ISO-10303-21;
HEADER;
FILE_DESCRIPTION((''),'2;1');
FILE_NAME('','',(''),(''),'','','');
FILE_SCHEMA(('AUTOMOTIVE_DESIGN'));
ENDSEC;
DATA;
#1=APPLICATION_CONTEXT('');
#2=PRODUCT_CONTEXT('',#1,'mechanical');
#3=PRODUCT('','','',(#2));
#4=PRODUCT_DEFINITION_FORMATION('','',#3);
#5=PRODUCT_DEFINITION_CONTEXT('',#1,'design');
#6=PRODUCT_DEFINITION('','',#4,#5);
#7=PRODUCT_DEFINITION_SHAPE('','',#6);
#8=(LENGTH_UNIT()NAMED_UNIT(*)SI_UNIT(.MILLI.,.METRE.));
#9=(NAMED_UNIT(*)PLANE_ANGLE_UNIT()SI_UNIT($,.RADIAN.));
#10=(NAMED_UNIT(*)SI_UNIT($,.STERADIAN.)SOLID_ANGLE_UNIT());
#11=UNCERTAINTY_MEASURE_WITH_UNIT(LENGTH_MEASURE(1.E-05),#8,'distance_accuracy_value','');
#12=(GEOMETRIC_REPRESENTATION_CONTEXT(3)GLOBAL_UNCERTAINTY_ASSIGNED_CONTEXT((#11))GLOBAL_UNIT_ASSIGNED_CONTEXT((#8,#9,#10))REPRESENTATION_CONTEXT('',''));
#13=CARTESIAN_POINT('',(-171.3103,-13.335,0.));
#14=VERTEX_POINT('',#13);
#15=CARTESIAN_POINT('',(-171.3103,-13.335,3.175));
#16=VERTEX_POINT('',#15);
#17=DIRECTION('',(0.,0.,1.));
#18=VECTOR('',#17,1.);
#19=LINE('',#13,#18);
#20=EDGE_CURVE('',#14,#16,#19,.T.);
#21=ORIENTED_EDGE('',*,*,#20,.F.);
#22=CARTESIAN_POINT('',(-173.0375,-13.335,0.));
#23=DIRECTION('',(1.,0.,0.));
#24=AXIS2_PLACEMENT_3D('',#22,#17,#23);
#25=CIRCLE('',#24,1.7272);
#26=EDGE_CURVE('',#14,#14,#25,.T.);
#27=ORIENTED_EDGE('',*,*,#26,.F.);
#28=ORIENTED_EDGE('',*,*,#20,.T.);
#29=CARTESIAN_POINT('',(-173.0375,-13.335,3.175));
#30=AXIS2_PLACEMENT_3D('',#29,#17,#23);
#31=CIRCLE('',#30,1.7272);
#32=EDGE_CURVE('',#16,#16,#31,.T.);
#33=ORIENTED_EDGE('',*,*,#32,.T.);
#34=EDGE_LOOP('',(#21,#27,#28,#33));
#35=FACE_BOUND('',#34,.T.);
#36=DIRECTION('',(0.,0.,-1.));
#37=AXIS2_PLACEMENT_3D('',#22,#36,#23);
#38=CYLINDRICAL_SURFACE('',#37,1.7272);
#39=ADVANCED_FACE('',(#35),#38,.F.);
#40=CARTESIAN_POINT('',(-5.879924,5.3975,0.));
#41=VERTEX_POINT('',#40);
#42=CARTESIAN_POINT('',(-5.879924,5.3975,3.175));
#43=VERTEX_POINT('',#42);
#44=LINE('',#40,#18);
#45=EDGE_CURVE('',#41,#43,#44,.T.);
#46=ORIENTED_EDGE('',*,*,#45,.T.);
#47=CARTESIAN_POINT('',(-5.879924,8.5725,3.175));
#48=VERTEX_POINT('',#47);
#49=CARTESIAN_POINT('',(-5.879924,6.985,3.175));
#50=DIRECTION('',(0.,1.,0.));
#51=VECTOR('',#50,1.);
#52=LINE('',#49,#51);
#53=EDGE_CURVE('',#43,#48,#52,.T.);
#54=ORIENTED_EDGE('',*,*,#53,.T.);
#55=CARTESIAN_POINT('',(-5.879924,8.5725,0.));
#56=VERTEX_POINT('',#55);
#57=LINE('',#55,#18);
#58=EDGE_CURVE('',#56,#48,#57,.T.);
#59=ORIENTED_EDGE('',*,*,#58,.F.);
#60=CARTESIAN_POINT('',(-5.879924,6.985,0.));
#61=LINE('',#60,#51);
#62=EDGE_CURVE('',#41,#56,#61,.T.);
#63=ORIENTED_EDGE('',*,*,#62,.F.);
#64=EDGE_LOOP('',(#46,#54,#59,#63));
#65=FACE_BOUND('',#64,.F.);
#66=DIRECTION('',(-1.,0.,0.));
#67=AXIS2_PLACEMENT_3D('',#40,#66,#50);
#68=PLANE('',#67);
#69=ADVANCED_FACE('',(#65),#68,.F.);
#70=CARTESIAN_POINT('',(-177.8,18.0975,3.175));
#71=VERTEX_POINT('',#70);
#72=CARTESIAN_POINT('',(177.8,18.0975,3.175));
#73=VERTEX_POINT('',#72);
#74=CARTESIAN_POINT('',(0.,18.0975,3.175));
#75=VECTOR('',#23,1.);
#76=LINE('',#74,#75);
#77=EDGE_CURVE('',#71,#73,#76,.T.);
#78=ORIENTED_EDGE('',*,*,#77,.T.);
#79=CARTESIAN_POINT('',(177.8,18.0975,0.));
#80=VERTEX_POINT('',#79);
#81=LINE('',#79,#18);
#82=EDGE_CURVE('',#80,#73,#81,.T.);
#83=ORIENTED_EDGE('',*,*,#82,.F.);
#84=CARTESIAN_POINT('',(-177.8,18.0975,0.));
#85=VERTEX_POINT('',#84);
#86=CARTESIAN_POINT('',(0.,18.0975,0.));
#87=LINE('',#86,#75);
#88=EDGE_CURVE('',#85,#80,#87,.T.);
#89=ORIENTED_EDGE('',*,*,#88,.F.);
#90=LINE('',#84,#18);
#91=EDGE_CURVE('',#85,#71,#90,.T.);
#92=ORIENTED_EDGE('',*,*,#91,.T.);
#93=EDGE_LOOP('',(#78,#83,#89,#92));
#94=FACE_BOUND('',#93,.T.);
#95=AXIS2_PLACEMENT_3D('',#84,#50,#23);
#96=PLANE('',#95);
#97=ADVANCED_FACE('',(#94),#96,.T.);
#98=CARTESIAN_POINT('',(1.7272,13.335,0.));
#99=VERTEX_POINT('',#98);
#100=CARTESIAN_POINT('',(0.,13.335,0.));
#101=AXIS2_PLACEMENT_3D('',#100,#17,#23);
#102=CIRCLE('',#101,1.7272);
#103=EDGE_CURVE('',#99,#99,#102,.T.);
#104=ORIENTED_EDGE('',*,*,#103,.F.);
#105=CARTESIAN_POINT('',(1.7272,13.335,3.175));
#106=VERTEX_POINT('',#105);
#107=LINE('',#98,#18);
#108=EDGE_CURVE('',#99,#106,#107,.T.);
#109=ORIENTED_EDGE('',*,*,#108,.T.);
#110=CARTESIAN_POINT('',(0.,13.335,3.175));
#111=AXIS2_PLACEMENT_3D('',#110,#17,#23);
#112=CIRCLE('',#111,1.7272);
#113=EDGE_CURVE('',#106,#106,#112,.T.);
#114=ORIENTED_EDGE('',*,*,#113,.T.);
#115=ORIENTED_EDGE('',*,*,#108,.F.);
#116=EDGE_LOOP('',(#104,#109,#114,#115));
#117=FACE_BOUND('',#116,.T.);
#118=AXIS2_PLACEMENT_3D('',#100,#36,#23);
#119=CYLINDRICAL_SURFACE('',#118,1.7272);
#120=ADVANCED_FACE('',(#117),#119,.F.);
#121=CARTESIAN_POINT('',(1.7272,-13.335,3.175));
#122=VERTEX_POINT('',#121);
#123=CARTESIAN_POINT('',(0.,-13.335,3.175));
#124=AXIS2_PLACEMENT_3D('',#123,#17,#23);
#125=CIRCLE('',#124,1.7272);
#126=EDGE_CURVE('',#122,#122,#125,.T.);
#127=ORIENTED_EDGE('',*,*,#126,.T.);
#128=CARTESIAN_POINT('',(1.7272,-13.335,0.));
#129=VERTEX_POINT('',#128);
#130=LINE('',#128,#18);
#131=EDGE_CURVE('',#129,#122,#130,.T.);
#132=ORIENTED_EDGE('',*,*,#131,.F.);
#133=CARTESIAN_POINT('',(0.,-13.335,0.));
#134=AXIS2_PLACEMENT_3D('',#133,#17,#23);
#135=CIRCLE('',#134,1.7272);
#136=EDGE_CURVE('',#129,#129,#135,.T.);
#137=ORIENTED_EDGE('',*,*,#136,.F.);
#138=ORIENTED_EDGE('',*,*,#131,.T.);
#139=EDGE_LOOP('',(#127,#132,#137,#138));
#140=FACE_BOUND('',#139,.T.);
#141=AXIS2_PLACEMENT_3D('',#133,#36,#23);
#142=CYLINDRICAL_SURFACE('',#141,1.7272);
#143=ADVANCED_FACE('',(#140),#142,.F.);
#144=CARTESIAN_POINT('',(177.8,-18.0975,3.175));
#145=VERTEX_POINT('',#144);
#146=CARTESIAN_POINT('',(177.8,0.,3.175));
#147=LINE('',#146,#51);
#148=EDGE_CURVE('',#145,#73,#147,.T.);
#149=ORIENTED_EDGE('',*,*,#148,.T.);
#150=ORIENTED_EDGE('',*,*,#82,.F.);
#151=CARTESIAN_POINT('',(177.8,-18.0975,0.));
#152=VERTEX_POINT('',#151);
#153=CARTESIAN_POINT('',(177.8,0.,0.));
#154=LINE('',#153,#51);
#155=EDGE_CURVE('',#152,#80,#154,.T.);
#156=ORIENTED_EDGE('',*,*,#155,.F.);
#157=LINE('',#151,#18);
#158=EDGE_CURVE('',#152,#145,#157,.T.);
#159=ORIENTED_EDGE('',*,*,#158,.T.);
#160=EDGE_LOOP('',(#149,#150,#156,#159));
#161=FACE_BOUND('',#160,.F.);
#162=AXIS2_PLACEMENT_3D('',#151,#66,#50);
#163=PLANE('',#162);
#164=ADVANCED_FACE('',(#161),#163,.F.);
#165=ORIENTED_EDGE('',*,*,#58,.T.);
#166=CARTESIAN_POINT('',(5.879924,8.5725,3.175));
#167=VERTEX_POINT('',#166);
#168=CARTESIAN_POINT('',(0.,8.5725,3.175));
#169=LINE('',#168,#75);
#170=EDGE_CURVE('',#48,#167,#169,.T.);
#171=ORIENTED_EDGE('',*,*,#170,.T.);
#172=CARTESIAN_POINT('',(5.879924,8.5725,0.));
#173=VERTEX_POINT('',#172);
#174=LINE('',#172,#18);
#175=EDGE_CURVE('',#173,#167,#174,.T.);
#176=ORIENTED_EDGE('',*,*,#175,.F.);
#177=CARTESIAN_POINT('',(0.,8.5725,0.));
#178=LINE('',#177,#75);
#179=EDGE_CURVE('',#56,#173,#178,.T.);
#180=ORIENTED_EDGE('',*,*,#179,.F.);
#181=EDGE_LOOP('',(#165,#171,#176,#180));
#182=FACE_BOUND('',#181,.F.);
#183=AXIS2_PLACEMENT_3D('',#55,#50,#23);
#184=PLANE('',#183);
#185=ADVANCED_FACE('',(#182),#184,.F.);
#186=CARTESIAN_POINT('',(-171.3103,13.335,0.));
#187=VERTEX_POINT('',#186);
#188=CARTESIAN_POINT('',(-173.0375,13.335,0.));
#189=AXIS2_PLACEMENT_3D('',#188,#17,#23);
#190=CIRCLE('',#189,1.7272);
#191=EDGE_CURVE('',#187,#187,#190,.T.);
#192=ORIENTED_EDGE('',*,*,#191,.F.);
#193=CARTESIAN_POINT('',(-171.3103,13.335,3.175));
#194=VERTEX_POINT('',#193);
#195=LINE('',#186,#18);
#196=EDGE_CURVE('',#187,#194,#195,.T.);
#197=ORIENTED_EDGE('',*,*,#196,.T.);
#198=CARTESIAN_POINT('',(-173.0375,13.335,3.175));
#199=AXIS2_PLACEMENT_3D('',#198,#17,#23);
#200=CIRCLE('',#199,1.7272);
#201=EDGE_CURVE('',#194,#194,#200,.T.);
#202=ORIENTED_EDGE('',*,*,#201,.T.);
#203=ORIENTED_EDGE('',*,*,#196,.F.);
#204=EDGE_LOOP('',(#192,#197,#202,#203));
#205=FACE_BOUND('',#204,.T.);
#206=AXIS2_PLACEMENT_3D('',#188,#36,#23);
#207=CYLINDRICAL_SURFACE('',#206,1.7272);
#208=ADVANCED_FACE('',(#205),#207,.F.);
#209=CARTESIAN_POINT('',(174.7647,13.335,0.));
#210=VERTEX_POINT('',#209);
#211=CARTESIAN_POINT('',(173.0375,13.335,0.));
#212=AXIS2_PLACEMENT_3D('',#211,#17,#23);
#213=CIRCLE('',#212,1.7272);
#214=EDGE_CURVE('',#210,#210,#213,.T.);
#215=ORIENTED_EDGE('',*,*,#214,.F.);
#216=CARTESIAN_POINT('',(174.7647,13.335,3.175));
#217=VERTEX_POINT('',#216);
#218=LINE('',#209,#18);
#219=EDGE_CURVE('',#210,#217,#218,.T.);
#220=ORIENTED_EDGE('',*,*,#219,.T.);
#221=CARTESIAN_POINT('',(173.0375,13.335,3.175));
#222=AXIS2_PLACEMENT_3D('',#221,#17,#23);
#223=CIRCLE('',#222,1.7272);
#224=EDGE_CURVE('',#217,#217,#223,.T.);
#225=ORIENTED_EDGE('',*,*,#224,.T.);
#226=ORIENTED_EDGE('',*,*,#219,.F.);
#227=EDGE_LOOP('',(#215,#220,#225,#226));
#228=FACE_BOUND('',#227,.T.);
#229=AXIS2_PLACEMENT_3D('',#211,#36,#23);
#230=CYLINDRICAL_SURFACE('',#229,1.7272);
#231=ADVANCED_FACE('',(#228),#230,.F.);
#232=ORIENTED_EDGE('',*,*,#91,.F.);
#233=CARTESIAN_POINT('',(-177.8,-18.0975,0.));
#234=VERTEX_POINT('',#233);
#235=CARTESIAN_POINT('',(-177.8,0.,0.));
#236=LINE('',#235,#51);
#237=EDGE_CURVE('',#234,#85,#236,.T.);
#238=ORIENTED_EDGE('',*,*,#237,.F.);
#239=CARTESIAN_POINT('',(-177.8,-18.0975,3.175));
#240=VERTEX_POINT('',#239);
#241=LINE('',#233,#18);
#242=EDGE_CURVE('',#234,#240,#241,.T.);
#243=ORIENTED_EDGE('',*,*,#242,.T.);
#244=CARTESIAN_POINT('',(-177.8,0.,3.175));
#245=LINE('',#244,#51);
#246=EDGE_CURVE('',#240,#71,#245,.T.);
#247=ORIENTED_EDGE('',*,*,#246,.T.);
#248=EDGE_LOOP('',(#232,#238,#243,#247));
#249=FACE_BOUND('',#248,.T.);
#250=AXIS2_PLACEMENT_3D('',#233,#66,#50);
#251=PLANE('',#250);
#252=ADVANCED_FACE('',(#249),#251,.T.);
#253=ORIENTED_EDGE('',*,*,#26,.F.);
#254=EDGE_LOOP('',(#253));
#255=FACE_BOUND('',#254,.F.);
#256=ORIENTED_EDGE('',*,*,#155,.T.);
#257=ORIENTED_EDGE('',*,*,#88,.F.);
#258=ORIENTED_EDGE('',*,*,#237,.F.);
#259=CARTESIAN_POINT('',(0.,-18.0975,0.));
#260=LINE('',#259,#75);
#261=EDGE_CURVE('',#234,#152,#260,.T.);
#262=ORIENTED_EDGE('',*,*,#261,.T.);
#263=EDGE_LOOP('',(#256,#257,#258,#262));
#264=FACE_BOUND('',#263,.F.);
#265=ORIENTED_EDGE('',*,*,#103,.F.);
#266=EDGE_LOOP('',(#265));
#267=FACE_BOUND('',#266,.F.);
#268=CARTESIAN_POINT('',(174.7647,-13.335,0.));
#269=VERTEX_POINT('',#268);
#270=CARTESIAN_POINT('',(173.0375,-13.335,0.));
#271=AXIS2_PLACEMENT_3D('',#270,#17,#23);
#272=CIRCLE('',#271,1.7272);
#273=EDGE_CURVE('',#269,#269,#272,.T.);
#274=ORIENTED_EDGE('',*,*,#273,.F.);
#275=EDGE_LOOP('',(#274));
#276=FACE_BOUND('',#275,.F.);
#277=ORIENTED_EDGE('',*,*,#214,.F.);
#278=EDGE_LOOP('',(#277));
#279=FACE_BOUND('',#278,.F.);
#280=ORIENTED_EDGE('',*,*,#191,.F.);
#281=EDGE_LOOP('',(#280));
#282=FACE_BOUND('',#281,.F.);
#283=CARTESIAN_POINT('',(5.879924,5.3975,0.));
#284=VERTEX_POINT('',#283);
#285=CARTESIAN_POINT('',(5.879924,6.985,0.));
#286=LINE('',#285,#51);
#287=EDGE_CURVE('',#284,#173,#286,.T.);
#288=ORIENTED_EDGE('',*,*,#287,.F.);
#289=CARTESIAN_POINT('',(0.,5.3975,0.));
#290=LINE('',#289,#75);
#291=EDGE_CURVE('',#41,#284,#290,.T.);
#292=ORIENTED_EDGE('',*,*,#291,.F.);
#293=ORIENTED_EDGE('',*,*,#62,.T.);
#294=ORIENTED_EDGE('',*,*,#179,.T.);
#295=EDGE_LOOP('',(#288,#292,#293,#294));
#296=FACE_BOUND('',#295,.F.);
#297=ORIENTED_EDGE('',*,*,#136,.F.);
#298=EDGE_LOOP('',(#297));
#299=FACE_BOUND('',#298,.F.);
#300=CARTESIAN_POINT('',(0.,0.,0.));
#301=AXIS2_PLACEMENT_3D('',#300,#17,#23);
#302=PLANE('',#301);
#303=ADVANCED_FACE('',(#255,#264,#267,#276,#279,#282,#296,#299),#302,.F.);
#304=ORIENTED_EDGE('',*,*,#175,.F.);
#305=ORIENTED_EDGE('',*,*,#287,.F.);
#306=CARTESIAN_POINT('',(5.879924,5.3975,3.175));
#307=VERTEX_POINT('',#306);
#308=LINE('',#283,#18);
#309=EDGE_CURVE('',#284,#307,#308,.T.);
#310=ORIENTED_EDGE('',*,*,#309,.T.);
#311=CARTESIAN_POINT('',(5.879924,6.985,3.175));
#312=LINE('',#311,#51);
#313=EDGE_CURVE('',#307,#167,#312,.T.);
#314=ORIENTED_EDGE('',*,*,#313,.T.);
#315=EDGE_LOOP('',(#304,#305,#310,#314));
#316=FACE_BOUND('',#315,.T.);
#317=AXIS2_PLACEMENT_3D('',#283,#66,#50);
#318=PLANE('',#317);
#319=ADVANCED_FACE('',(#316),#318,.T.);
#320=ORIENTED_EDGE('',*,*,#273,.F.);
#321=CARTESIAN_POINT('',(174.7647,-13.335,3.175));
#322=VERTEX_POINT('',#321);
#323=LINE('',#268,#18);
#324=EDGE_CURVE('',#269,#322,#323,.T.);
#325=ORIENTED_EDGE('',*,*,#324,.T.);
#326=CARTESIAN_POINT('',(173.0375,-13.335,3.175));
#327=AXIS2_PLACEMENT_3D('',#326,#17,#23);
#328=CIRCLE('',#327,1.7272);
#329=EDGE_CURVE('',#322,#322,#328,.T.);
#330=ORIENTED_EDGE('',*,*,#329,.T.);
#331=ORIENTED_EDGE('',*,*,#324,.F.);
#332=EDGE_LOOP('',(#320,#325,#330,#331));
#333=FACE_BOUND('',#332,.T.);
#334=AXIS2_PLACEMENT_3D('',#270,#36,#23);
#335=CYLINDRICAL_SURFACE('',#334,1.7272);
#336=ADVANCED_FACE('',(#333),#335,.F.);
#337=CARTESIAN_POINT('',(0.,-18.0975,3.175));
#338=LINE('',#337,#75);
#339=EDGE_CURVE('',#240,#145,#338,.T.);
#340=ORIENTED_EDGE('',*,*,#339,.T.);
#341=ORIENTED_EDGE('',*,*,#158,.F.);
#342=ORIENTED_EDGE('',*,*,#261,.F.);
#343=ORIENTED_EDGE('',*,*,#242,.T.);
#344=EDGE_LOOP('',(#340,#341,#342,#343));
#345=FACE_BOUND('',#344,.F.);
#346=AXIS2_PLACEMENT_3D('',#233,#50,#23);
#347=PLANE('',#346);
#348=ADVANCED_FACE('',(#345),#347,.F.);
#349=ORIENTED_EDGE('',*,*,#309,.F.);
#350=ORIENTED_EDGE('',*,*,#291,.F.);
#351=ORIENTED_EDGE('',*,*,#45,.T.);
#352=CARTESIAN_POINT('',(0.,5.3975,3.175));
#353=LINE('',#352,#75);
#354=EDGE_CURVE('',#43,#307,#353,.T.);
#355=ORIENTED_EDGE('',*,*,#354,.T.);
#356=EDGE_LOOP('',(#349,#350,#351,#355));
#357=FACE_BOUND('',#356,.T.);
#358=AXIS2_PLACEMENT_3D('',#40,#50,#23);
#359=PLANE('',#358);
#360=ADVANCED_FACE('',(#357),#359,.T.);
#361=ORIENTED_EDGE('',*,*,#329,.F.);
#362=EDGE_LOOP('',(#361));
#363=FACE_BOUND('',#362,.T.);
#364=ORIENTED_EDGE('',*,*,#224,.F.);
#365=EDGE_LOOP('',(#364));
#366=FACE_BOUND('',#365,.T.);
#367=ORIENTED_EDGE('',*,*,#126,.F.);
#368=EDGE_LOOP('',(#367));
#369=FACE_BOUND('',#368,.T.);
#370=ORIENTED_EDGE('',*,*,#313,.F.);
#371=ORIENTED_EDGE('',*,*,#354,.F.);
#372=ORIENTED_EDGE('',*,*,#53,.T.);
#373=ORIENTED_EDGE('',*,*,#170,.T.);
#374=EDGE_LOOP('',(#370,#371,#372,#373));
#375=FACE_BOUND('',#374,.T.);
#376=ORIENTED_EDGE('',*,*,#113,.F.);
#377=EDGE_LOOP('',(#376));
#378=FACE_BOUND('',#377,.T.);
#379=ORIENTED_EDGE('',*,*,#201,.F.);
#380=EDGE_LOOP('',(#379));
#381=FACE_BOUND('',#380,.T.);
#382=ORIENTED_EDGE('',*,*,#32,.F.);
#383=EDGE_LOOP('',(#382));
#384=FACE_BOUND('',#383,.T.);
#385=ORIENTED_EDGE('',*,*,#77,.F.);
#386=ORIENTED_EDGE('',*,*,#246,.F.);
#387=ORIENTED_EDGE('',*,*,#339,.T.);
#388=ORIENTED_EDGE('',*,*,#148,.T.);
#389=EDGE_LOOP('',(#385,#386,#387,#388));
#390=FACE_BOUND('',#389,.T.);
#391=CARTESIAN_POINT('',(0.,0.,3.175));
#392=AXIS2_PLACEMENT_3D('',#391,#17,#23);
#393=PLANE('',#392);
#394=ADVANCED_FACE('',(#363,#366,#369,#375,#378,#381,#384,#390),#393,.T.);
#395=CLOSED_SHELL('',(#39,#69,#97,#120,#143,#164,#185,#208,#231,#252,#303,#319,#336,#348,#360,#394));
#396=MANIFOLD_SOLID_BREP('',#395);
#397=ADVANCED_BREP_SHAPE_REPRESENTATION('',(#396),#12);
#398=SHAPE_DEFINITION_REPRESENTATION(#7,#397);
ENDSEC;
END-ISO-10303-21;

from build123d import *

# Parameters (mm, degrees)
F0_W     = 355.6
F0_H     = 36.195
F0_R     = 1.7272
F0_W_2   = 11.759848
F0_H_2   = 3.175
F1_DEPTH = 3.175


with BuildPart() as f1:
    # F0 (on Top) → F1 (new body)
    with BuildSketch(Plane.XY):
        Rectangle(F0_W, F0_H)
        with Locations((-173.0375, -13.335)):
            Circle(F0_R, mode=Mode.SUBTRACT)
        with Locations((0, -13.335)):
            Circle(F0_R, mode=Mode.SUBTRACT)
        with Locations((173.0375, -13.335)):
            Circle(F0_R, mode=Mode.SUBTRACT)
        with Locations((-173.0375, 13.335)):
            Circle(F0_R, mode=Mode.SUBTRACT)
        with Locations((0, 6.985)):
            Rectangle(F0_W_2, F0_H_2, mode=Mode.SUBTRACT)
        with Locations((0, 13.335)):
            Circle(F0_R, mode=Mode.SUBTRACT)
        with Locations((173.0375, 13.335)):
            Circle(F0_R, mode=Mode.SUBTRACT)
    extrude(amount=F1_DEPTH)


solid = f1.part
